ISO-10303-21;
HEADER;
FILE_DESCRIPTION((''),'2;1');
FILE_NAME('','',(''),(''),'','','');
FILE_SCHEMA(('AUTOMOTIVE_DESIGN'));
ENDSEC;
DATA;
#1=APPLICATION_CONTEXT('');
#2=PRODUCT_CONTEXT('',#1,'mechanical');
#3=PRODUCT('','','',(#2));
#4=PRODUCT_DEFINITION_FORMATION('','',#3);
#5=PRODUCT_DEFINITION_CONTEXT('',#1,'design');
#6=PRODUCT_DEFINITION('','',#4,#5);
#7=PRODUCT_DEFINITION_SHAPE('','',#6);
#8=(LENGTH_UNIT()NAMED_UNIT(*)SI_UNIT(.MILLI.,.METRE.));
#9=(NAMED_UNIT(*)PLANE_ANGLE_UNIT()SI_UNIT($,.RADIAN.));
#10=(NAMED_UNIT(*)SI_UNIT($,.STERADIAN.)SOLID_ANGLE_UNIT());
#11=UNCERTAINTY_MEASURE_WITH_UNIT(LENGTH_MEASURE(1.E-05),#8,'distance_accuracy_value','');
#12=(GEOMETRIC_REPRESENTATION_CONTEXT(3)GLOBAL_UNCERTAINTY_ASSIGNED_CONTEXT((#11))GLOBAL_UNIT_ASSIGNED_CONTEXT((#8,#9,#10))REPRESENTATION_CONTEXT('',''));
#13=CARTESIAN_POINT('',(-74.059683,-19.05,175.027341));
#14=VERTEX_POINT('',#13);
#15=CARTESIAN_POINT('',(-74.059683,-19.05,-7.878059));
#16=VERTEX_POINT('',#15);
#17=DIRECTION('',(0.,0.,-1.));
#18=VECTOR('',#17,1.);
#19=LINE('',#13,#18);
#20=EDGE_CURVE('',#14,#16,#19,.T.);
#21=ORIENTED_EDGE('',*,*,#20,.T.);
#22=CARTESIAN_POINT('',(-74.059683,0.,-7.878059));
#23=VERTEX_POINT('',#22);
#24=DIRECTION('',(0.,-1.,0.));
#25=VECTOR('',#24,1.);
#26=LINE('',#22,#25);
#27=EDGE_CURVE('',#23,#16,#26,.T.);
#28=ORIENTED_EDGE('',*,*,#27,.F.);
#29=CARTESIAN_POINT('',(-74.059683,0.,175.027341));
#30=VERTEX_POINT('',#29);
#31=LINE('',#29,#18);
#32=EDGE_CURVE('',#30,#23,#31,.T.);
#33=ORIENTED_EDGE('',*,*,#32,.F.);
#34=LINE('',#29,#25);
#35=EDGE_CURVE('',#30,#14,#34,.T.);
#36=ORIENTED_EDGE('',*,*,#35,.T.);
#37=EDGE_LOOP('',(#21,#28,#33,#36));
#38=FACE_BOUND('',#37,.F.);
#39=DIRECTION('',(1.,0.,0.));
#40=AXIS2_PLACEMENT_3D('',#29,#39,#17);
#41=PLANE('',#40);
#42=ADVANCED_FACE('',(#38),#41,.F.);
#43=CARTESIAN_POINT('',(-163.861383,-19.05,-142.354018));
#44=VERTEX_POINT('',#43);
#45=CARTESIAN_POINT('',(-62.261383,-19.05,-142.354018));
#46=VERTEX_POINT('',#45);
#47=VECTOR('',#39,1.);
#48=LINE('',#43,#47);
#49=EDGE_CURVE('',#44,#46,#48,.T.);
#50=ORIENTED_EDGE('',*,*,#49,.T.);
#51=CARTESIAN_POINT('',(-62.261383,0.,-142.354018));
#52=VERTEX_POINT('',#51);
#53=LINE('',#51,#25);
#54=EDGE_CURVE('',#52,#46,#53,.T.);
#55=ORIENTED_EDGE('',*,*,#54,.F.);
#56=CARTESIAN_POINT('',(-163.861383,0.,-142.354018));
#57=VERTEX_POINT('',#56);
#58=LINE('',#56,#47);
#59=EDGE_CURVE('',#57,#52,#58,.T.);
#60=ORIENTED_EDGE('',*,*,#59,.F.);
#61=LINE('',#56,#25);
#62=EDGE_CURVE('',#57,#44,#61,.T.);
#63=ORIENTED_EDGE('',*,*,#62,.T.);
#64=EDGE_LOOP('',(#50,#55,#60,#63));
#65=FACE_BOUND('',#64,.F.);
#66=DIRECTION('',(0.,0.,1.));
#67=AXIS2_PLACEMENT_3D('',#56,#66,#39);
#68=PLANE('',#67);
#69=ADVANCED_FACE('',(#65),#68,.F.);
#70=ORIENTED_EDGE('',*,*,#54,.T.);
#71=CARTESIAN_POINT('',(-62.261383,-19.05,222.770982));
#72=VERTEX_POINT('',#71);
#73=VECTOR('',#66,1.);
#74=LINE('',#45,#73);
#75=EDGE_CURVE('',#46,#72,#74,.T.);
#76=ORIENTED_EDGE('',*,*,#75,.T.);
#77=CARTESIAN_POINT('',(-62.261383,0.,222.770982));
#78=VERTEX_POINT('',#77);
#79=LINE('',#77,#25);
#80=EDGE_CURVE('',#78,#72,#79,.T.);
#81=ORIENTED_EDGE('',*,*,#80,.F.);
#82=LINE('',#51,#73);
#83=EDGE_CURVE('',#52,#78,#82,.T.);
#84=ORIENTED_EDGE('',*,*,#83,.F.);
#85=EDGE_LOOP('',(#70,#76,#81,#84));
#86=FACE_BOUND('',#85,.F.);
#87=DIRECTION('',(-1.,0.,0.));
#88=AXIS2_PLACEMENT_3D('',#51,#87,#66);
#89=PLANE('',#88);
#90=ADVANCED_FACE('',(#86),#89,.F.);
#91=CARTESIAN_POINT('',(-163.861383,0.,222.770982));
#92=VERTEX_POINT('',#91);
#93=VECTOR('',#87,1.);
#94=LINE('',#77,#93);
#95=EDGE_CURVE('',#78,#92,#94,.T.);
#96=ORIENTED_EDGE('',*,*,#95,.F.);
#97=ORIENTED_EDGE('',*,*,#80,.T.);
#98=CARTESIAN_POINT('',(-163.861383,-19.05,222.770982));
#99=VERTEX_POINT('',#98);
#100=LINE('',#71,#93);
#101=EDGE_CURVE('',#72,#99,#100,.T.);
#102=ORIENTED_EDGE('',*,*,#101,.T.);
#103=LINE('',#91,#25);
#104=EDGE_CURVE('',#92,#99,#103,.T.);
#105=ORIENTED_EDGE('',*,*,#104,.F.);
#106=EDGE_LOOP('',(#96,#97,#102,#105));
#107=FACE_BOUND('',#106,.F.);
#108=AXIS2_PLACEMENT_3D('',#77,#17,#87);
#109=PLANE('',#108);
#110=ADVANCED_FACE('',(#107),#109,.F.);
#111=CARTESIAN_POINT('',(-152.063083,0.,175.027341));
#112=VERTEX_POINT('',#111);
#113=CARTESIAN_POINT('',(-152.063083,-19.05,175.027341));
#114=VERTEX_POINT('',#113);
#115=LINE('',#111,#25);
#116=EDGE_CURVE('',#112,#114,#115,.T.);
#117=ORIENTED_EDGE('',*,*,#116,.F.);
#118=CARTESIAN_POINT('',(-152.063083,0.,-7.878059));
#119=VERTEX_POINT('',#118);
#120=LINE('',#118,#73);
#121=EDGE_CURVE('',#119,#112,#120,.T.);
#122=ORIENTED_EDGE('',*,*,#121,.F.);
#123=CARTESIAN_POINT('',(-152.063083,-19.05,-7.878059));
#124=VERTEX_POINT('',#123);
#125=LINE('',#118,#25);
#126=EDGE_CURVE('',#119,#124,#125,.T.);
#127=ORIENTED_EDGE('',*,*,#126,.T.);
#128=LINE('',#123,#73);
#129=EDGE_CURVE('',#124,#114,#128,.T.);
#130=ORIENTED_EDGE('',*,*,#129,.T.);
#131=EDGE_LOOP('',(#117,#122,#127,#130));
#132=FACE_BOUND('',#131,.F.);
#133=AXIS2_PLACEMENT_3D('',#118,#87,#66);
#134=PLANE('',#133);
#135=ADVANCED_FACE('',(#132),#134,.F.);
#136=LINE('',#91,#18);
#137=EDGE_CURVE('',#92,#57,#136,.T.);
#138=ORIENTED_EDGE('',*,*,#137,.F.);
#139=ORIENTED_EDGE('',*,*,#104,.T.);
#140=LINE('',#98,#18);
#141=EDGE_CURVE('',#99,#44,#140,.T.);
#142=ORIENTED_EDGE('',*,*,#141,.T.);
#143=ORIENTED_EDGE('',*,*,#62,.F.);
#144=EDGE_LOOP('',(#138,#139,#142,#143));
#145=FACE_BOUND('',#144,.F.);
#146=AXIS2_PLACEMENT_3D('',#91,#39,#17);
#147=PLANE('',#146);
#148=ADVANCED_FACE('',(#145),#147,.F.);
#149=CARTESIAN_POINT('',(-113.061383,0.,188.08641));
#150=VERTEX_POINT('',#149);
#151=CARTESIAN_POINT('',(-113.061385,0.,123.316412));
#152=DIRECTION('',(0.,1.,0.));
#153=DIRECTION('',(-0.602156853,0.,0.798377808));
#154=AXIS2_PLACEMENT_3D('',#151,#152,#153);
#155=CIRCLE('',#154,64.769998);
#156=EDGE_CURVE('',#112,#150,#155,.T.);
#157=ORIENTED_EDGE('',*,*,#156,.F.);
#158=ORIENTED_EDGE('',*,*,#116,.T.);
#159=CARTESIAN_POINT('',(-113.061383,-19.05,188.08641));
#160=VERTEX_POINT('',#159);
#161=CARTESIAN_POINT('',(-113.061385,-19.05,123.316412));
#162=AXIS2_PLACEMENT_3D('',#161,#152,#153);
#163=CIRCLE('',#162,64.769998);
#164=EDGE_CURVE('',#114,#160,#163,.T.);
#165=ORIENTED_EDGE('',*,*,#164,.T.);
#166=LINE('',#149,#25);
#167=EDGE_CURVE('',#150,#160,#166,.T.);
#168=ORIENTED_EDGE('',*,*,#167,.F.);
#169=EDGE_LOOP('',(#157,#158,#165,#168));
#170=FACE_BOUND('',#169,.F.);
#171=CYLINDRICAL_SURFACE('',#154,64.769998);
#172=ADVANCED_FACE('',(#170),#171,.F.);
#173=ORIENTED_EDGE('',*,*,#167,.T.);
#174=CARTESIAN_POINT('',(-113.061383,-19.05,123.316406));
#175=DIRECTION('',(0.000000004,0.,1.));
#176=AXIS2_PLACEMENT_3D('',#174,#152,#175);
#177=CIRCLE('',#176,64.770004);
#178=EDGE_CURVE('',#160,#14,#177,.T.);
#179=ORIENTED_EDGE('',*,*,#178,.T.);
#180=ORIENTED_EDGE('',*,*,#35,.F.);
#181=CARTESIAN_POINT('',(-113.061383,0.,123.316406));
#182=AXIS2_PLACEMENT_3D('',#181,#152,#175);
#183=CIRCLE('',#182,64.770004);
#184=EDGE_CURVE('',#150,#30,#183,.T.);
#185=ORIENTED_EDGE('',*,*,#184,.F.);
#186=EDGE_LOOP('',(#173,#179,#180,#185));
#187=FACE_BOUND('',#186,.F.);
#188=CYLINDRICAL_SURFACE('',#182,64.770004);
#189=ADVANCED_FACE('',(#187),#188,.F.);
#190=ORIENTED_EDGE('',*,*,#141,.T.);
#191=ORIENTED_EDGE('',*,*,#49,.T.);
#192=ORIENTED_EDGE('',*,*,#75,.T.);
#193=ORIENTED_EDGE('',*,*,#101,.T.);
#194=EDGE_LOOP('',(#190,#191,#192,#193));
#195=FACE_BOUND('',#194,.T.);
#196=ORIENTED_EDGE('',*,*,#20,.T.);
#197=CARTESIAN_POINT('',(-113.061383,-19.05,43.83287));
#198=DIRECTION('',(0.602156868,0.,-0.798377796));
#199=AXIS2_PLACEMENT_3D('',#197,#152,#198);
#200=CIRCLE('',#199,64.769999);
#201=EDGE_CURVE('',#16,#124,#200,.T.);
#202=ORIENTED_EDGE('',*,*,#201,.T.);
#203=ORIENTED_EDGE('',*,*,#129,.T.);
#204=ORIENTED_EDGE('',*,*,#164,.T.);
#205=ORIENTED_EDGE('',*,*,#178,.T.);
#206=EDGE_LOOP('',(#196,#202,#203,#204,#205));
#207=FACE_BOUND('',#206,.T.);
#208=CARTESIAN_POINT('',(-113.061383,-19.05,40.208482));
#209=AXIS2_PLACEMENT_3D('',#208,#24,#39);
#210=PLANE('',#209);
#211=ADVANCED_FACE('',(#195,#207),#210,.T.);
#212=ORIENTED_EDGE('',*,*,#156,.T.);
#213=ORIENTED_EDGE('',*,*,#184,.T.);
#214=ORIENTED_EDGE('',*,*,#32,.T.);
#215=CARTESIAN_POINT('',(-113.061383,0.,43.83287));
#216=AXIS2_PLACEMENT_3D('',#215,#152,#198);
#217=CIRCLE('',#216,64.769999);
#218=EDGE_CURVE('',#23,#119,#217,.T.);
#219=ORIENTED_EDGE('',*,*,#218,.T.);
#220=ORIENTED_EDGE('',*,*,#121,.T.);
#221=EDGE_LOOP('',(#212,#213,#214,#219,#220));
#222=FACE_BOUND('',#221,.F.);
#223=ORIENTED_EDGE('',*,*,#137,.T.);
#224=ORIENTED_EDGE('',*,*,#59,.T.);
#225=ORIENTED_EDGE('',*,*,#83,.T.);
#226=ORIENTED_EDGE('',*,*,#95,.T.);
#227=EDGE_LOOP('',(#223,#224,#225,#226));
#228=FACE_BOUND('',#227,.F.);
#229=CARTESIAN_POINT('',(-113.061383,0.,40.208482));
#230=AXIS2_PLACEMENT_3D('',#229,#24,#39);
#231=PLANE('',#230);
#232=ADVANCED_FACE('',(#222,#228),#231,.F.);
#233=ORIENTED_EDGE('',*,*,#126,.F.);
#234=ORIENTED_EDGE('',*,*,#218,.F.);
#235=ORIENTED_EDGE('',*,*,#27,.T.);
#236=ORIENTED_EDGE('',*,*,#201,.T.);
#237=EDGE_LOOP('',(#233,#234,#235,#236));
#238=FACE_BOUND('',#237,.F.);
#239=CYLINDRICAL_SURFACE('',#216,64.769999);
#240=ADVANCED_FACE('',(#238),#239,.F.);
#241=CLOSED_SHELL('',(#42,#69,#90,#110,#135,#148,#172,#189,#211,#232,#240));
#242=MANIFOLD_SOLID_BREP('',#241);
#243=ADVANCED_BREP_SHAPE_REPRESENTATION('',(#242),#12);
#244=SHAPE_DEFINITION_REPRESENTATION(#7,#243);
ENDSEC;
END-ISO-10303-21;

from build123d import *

# Parameters (mm, degrees)
F1_DEPTH = 19.05


with BuildPart() as f1:
    # F0 (on Front) → F1 (new body)
    with BuildSketch(Plane.XZ):
        Polygon((-163.861383, 222.770982), (-163.861383, -142.354018), (-62.261383, -142.354018), (-62.261383, 222.770982), (-113.061383, 222.770982), align=None)
        with BuildLine():
            ThreePointArc((-152.063083, 175.027341), (-133.626353, 184.734933), (-113.061383, 188.08641))
            ThreePointArc((-113.061383, 188.08641), (-92.496414, 184.734933), (-74.059683, 175.027341))
            Line((-74.059683, 175.027341), (-74.059683, -7.878059))
            ThreePointArc((-74.059683, -7.878059), (-113.061383, -20.937129), (-152.063083, -7.878059))
            Line((-152.063083, -7.878059), (-152.063083, 175.027341))
        make_face(mode=Mode.SUBTRACT)
    extrude(amount=F1_DEPTH)


solid = f1.part
